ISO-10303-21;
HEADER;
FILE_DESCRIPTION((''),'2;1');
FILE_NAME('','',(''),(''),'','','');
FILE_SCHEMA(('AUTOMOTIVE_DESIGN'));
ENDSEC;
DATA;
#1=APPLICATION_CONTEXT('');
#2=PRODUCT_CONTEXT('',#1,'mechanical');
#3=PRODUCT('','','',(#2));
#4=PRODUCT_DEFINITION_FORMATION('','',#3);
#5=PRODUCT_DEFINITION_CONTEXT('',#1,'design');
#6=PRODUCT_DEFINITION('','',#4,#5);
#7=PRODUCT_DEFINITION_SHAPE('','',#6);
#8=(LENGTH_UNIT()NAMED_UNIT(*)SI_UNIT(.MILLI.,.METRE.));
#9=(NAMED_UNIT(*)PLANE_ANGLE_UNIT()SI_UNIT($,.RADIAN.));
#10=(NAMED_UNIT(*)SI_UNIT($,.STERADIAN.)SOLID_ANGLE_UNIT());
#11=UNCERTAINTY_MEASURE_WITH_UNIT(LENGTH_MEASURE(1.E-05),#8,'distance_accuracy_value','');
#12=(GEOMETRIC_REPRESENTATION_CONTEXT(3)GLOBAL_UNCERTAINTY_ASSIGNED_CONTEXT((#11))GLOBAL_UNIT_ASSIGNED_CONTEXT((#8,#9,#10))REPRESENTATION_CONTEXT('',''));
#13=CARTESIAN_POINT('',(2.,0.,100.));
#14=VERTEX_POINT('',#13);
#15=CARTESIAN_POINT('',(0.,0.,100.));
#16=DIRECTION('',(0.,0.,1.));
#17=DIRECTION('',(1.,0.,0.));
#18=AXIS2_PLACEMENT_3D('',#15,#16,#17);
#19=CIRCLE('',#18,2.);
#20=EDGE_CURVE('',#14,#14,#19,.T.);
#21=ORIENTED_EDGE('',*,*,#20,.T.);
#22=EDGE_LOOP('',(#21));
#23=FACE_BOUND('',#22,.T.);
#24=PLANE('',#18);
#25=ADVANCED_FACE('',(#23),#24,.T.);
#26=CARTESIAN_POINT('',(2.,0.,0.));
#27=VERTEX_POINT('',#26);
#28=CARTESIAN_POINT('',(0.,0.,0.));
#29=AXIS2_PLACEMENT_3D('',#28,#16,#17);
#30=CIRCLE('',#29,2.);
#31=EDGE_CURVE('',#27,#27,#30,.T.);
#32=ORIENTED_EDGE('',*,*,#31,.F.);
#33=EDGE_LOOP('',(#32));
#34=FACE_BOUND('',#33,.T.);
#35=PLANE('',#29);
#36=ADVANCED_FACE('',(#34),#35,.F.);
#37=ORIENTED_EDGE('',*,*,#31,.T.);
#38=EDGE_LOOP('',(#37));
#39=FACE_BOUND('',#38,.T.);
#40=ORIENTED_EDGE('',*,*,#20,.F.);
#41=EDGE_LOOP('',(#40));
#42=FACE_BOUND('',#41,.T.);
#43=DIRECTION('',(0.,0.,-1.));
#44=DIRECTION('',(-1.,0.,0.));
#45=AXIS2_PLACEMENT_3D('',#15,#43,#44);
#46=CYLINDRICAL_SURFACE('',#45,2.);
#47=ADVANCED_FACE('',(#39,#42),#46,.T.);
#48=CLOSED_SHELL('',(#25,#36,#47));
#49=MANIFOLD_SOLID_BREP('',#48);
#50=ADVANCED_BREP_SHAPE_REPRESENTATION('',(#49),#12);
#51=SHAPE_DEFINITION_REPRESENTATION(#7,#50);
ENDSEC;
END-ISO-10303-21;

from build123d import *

# Parameters (mm, degrees)
ESBO_O1_R                = 2
RESSALTO_EXTRUS_O1_DEPTH = 100


with BuildPart() as part:
    # Esboço1 → Ressalto-extrusão1 (new body)
    with BuildSketch(Plane.XY):
        Circle(ESBO_O1_R)
    extrude(amount=RESSALTO_EXTRUS_O1_DEPTH)


solid = part.part
